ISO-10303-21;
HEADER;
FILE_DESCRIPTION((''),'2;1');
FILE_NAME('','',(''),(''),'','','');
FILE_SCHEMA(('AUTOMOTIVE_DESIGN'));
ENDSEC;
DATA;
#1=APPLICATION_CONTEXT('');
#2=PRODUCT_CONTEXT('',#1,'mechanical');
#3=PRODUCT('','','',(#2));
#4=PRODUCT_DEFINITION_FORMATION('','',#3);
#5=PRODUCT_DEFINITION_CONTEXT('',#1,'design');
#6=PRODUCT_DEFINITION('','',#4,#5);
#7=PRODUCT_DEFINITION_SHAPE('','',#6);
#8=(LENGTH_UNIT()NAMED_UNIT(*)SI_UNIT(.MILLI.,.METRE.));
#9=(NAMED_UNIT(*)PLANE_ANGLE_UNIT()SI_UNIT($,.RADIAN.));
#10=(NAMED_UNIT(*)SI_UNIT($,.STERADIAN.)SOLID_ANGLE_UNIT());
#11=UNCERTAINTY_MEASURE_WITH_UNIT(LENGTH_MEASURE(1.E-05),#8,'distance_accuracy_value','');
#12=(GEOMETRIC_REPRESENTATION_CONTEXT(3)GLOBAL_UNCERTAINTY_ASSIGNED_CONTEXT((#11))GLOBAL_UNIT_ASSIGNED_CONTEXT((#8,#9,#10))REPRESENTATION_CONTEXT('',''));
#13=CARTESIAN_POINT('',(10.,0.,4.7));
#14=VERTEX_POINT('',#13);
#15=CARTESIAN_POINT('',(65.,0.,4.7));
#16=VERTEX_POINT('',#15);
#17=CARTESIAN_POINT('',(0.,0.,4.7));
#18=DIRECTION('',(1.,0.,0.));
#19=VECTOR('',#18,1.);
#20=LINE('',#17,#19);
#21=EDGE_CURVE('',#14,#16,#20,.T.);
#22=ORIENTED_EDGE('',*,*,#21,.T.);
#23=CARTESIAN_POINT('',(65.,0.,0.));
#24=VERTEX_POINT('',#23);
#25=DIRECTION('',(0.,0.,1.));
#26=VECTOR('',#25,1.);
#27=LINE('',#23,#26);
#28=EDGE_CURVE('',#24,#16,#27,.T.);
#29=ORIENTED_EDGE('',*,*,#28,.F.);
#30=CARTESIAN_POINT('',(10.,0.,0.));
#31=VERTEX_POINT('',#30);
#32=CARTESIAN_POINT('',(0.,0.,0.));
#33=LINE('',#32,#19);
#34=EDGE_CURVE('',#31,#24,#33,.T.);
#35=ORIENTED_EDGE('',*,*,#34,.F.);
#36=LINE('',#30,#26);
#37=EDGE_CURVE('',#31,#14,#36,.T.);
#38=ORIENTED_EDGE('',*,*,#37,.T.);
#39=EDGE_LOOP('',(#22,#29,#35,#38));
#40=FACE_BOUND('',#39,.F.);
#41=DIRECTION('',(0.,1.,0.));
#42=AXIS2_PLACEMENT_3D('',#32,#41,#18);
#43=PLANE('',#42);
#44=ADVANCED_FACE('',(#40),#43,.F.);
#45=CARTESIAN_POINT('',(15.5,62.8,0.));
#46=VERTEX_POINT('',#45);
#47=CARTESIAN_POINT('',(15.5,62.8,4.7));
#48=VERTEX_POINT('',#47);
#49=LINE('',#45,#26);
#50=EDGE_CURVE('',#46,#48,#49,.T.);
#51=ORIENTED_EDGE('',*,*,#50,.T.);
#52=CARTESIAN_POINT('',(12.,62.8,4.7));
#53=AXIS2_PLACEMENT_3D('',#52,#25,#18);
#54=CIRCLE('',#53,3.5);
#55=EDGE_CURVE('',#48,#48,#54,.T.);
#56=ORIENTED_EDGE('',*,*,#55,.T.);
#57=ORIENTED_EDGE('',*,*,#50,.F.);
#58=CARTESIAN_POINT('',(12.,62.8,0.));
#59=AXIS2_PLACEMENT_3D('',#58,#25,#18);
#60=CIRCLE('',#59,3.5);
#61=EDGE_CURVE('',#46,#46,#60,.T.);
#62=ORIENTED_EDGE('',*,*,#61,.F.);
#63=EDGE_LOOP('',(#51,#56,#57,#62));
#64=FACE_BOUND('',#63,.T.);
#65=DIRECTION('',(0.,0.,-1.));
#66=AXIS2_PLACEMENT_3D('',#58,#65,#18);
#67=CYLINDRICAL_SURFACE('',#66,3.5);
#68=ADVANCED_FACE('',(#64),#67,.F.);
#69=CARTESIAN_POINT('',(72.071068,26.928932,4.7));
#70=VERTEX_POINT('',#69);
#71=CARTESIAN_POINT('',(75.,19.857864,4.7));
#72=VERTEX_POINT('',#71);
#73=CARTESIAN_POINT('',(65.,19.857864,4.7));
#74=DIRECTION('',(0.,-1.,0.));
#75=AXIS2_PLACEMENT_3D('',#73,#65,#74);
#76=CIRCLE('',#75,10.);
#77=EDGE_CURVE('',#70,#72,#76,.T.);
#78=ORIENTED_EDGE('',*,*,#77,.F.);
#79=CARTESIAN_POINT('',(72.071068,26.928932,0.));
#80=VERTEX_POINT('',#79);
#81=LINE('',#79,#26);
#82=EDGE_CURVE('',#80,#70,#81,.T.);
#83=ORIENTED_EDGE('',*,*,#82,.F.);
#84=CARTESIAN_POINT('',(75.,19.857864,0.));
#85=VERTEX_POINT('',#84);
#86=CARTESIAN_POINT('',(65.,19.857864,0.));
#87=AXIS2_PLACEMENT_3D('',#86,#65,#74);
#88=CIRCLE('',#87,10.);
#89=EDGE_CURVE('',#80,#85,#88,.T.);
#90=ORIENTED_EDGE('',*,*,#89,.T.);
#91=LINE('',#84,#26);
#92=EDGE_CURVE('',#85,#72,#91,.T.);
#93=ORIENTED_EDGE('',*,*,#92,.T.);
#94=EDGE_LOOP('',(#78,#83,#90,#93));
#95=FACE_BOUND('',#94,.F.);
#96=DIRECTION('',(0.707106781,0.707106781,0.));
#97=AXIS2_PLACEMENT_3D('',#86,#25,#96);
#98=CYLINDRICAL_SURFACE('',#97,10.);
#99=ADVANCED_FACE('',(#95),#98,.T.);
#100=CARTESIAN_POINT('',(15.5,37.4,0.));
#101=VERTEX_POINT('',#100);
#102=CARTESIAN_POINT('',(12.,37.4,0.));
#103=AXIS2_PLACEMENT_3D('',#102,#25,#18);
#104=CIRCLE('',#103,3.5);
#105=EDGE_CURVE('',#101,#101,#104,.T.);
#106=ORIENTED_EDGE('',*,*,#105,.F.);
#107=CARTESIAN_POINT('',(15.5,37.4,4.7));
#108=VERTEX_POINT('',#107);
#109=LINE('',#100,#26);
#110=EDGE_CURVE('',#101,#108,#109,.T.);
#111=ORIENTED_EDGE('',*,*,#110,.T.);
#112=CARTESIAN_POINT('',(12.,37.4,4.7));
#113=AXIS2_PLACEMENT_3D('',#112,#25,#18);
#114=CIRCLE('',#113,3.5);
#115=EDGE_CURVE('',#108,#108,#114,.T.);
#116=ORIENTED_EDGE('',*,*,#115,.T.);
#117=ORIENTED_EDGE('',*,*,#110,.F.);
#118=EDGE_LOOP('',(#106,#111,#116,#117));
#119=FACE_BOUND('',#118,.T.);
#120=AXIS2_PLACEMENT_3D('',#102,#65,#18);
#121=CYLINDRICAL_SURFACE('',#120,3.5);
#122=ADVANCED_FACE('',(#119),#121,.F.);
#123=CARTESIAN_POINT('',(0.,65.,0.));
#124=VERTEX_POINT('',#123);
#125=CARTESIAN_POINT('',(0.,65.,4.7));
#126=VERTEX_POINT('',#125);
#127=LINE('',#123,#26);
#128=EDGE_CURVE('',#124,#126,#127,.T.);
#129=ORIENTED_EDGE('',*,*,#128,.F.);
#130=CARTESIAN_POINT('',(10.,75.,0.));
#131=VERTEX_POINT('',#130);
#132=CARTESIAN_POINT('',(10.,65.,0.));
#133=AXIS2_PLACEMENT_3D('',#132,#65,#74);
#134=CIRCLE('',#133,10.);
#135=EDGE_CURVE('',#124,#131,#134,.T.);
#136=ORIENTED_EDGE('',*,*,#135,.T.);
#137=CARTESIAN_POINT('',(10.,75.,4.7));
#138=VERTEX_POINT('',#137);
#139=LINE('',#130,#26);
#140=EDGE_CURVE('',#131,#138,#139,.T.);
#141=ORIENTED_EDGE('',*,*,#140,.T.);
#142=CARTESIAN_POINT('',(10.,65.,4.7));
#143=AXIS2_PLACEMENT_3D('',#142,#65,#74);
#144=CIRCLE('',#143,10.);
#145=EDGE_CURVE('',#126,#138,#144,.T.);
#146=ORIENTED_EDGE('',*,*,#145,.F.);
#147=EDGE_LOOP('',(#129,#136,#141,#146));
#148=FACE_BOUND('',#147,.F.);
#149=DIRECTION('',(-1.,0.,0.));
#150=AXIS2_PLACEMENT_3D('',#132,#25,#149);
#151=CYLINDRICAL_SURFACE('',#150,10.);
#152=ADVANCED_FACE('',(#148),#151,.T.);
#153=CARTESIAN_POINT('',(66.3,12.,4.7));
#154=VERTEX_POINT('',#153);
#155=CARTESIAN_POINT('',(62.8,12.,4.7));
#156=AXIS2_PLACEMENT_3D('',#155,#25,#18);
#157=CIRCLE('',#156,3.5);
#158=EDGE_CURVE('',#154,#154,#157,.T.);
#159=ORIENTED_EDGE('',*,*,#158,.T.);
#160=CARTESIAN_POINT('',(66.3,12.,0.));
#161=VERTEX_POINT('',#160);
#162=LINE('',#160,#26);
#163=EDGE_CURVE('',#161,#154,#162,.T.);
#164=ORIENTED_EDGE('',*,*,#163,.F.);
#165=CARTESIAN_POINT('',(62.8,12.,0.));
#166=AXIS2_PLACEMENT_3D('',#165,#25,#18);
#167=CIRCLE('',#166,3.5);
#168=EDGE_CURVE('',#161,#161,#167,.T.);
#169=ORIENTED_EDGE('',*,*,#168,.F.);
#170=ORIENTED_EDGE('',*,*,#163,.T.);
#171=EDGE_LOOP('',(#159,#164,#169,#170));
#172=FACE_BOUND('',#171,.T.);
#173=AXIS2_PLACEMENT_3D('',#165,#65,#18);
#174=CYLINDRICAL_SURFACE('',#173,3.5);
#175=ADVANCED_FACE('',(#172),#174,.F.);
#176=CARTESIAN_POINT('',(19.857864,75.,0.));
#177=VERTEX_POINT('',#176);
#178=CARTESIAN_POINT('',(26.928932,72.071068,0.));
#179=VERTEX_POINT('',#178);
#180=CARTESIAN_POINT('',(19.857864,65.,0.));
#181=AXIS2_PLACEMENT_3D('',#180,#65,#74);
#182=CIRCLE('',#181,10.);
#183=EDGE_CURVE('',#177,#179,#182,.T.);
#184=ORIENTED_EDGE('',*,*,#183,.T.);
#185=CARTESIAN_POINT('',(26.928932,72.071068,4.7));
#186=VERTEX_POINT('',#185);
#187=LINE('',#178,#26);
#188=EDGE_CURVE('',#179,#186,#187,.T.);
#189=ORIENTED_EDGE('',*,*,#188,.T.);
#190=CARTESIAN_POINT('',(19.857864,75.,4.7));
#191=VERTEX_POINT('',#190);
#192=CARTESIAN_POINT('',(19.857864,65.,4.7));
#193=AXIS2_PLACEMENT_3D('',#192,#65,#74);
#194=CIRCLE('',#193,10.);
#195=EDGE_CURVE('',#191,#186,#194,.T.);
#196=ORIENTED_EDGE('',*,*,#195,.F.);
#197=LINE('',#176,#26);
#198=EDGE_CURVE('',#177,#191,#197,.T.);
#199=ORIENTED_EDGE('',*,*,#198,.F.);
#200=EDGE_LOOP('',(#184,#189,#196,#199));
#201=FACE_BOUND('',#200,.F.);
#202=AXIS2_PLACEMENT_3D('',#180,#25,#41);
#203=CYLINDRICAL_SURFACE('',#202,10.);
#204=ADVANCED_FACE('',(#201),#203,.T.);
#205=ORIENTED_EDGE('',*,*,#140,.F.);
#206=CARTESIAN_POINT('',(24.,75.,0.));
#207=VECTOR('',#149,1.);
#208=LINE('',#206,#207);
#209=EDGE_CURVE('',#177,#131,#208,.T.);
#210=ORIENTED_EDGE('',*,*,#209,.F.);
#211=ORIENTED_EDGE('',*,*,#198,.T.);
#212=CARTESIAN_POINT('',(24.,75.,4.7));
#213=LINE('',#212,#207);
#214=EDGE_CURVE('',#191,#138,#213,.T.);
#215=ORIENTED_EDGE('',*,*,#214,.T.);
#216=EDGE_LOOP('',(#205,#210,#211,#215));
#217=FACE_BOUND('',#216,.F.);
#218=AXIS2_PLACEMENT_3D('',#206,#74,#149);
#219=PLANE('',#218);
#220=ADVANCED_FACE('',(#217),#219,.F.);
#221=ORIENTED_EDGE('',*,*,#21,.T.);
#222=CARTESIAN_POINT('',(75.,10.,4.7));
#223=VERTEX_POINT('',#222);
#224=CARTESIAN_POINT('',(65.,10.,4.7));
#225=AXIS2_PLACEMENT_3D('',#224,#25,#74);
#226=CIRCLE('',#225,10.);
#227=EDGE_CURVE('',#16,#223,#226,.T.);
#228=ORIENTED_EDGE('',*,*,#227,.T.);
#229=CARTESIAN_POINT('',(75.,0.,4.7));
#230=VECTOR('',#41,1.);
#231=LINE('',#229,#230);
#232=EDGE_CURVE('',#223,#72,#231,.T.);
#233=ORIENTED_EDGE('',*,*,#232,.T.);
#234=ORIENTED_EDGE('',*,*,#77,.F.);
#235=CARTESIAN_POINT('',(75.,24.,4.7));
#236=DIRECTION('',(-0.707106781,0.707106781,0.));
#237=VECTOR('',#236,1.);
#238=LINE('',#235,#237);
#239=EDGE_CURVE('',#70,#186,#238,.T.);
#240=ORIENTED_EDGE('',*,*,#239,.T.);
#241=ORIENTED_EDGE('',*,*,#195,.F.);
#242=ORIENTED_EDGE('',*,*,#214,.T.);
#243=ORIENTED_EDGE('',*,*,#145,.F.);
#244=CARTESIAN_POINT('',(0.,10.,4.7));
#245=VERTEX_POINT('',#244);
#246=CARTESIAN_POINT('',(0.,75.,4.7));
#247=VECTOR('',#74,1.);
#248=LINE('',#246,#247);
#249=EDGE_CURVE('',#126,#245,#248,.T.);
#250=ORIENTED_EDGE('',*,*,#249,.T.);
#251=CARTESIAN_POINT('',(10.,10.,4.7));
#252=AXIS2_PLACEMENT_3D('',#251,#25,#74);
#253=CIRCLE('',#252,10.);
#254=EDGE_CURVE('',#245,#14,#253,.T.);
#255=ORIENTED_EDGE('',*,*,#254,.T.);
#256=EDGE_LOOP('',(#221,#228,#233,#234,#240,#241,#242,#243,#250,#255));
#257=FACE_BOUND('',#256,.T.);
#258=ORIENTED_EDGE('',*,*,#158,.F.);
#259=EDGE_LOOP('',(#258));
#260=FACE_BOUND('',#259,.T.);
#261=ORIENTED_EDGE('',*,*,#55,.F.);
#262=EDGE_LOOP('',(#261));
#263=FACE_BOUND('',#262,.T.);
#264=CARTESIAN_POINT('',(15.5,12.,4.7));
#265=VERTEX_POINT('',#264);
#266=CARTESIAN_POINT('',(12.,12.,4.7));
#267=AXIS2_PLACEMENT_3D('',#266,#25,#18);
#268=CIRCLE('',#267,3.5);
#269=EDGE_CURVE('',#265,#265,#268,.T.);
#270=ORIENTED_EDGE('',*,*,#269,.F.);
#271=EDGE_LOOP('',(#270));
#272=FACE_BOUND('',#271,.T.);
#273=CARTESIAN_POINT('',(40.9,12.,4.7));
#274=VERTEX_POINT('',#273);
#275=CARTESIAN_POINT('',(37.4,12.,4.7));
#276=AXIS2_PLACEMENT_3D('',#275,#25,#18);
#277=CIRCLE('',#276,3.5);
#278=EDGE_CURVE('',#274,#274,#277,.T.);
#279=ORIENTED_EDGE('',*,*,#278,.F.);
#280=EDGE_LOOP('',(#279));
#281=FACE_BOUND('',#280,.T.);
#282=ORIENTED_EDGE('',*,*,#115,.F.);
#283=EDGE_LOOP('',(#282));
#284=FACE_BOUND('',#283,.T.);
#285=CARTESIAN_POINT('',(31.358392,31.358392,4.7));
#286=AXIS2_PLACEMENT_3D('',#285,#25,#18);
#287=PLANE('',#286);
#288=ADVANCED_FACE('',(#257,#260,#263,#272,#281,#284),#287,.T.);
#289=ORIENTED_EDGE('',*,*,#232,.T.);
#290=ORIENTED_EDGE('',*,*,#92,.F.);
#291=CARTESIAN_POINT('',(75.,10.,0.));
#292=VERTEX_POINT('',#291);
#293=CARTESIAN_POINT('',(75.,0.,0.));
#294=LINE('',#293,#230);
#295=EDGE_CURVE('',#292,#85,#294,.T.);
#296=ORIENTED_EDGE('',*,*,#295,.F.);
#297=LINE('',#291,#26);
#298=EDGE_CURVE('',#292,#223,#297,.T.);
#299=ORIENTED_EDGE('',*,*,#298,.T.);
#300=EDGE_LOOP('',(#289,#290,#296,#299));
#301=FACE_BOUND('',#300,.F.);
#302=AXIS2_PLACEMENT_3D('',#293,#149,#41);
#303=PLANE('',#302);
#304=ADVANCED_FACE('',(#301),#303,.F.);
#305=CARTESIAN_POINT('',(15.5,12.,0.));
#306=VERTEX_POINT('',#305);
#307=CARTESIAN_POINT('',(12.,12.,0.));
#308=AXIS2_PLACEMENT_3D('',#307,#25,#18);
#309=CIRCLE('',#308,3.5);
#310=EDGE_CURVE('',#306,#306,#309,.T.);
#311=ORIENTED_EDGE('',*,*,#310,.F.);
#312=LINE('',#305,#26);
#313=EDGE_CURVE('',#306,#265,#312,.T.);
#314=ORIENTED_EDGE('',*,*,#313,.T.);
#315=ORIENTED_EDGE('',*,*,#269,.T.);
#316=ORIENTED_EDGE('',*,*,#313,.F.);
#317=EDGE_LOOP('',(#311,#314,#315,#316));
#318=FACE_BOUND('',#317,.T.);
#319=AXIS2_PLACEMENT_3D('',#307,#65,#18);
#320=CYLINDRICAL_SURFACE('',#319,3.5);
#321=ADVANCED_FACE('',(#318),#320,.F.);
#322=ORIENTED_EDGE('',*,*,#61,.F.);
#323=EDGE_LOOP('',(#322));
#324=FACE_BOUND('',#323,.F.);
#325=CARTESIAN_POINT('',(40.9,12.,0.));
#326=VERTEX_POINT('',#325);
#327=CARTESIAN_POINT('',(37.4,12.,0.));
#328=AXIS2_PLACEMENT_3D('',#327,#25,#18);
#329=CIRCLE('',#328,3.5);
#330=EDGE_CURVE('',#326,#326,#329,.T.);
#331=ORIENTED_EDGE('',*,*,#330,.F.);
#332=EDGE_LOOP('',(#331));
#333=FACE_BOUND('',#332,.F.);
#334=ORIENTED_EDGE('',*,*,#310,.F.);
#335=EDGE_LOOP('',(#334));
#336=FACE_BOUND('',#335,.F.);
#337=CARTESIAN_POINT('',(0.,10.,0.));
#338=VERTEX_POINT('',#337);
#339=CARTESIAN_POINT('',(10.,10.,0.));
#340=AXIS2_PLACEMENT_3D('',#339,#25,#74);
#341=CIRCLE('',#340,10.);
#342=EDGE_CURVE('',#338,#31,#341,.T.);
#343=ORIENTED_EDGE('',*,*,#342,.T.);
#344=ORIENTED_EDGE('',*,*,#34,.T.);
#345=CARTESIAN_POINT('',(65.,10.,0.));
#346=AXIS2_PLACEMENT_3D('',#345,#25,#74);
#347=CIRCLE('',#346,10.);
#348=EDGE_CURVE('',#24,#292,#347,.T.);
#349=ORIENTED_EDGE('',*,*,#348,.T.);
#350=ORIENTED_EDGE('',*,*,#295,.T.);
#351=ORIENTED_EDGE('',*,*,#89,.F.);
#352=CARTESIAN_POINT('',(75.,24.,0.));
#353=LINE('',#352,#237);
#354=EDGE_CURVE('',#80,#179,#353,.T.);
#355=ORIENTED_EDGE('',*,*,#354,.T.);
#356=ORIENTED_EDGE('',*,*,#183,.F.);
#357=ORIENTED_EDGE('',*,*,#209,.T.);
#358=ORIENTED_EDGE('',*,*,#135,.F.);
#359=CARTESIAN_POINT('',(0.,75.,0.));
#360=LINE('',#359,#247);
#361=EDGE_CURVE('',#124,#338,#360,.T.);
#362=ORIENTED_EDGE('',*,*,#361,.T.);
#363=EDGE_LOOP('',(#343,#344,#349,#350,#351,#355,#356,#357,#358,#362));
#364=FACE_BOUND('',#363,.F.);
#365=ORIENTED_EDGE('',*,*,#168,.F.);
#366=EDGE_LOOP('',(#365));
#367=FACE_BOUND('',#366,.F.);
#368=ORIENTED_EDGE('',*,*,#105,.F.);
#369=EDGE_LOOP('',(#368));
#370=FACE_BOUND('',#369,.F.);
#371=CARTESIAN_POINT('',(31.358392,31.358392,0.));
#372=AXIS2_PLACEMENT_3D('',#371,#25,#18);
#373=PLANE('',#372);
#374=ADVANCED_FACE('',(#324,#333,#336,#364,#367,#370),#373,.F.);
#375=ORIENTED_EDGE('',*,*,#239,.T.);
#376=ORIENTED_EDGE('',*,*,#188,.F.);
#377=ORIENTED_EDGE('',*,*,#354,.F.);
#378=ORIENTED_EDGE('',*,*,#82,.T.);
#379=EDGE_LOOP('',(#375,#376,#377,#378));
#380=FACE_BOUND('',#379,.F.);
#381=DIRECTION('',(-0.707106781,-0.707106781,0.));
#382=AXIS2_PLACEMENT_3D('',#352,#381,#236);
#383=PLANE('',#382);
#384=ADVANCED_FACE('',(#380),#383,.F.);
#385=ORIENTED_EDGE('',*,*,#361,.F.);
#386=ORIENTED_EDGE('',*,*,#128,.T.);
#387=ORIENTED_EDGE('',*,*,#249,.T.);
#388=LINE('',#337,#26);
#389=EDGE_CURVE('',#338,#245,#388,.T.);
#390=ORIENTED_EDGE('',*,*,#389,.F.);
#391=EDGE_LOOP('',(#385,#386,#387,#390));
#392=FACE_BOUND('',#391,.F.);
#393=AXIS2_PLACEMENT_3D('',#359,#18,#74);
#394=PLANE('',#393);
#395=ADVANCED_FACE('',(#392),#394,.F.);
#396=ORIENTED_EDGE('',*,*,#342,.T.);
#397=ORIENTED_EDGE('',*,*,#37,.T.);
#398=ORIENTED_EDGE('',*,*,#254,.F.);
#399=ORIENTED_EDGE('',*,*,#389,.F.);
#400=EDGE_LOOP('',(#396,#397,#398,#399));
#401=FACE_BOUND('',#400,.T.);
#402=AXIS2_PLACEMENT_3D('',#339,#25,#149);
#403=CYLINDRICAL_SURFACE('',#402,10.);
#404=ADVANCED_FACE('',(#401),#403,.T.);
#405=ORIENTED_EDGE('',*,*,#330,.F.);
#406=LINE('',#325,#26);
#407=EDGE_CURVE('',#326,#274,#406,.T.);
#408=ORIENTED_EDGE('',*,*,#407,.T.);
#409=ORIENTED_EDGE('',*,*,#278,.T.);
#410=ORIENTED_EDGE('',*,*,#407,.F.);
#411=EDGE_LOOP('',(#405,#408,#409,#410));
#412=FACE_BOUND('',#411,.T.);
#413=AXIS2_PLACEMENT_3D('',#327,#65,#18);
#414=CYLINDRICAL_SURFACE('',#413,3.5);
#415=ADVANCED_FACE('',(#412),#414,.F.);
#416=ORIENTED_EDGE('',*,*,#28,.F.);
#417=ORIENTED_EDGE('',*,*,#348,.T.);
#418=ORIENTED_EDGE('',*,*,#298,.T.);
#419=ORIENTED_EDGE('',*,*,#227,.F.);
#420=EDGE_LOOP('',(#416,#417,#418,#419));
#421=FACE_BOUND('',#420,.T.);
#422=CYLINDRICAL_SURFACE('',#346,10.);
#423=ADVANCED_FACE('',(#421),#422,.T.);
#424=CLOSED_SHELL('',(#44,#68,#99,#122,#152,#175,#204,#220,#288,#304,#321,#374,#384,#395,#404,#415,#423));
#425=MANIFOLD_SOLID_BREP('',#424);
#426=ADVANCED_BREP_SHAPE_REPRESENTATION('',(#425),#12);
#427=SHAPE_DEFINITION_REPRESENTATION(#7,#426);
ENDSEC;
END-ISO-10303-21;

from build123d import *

# Parameters (mm, degrees)
F0_R     = 3.5
F1_DEPTH = 4.7
F2_R     = 10


with BuildPart() as f1:
    # F0 (on Top) → F1 (new body)
    with BuildSketch(Plane.XY):
        Polygon((0, 75), (0, 0), (75, 0), (75, 24), (24, 75), align=None)
        with Locations((12, 12)):
            Circle(F0_R, mode=Mode.SUBTRACT)
        with Locations((37.4, 12)):
            Circle(F0_R, mode=Mode.SUBTRACT)
        with Locations((12, 37.4)):
            Circle(F0_R, mode=Mode.SUBTRACT)
        with Locations((62.8, 12)):
            Circle(F0_R, mode=Mode.SUBTRACT)
        with Locations((12, 62.8)):
            Circle(F0_R, mode=Mode.SUBTRACT)
    extrude(amount=F1_DEPTH)

    # F2
    f2_edges = [f1.edges().sort_by_distance(p)[0] for p in [
        (75, 0, 2.35),
        (0, 0, 2.35),
        (75, 24, 2.35),
        (24, 75, 2.35),
        (0, 75, 2.35),
    ]]
    fillet(f2_edges, radius=F2_R)


solid = f1.part
